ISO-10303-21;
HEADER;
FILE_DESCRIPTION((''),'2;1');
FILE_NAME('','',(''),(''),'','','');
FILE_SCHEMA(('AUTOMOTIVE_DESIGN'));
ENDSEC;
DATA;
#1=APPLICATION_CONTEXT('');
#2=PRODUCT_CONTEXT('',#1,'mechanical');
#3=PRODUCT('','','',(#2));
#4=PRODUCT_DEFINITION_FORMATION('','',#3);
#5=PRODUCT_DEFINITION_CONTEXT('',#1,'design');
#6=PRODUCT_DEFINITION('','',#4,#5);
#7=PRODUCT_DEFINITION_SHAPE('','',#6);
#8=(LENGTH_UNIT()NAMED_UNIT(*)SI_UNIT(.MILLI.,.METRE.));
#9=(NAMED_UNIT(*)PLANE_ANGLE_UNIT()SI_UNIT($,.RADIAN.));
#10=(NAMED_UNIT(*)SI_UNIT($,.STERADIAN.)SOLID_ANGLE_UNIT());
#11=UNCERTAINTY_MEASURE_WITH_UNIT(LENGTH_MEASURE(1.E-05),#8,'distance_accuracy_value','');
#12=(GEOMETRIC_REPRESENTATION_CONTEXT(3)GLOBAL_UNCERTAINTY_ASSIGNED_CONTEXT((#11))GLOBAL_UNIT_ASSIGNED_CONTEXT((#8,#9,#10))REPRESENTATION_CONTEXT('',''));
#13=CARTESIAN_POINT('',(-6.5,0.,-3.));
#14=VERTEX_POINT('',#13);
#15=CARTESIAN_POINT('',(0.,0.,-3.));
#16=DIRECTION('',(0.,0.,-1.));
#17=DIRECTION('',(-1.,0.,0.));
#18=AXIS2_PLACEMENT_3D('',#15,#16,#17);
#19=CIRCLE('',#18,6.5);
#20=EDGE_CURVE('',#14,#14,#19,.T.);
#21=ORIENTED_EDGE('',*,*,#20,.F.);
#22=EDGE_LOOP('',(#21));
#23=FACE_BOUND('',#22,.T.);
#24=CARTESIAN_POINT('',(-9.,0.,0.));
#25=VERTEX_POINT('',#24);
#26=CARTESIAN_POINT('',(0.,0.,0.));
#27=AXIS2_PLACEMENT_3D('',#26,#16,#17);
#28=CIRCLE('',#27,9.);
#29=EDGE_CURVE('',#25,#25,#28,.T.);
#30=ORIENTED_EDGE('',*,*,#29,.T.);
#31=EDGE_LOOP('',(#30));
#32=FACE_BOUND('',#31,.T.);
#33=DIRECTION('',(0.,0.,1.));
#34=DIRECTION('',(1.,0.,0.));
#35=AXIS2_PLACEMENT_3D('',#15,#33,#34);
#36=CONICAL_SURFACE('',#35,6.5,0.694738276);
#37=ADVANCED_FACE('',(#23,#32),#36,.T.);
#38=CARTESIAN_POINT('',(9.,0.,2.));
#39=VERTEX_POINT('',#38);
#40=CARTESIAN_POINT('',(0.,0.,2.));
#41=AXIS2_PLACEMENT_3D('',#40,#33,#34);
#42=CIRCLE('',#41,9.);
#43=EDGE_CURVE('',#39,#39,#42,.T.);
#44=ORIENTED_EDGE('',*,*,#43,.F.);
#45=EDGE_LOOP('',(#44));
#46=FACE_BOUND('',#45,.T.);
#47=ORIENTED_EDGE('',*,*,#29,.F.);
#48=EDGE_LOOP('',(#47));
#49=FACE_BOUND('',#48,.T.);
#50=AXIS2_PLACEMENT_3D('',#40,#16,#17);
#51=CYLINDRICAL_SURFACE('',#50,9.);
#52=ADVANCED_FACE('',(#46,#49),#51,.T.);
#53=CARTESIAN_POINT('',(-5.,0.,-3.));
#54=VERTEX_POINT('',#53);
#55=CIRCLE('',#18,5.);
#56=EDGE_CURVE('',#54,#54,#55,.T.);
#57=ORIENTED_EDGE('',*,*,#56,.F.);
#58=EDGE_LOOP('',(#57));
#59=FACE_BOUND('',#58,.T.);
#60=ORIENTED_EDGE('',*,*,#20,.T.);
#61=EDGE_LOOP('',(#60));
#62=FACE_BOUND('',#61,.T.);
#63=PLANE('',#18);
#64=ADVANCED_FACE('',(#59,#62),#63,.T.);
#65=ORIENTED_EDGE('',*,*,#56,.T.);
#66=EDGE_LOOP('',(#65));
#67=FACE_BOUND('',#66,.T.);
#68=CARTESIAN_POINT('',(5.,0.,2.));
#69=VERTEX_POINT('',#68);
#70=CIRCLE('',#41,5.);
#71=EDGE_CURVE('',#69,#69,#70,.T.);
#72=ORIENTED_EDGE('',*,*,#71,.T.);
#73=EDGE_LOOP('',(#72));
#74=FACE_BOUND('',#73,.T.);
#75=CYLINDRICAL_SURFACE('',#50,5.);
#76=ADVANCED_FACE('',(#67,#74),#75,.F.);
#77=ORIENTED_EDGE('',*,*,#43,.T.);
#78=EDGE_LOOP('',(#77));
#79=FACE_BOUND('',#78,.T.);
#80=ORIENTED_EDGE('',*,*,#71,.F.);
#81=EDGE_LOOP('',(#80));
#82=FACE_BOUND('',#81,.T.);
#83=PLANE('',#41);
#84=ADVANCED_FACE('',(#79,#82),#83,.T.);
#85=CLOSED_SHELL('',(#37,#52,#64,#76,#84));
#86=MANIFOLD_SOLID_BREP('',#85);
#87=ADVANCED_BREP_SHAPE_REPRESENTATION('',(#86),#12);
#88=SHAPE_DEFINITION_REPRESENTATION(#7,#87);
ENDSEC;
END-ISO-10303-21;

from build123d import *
from build123d.topology import SkipClean

# Parameters (mm, degrees)
SKETCH1_R           = 9
SKETCH1_R_2         = 5
BOSS_EXTRUDE1_DEPTH = 2
SKETCH3_R           = 9
SKETCH2_R           = 6.5
SKETCH4_R           = 5
CUT_EXTRUDE1_DEPTH  = 5


with BuildPart() as part:
    # Sketch1 → Boss-Extrude1 (new body)
    with BuildSketch(Plane.XY):
        Circle(SKETCH1_R)
        Circle(SKETCH1_R_2, mode=Mode.SUBTRACT)
    extrude(amount=BOSS_EXTRUDE1_DEPTH)

    # Sketch3 → Loft1 section 0
    with BuildSketch(Plane(origin=(0, 0, 0), x_dir=(-1, 0, 0), z_dir=(0, 0, -1))):
        Circle(SKETCH3_R)
    # Sketch2 → Loft1 section 1
    with BuildSketch(Plane(origin=(0, 0, -3), x_dir=(-1, 0, 0), z_dir=(0, 0, -1))):
        Circle(SKETCH2_R)
    loft()

    # Sketch4 → Cut-Extrude1 (cut)
    with SkipClean():  # the faces are left unmerged after this step: merging them gives an invalid solid
        with BuildSketch(Plane(origin=(0, 0, -3), x_dir=(-1, 0, 0), z_dir=(0, 0, -1))):
            Circle(SKETCH4_R)
        extrude(amount=-CUT_EXTRUDE1_DEPTH, mode=Mode.SUBTRACT)


solid = part.part
